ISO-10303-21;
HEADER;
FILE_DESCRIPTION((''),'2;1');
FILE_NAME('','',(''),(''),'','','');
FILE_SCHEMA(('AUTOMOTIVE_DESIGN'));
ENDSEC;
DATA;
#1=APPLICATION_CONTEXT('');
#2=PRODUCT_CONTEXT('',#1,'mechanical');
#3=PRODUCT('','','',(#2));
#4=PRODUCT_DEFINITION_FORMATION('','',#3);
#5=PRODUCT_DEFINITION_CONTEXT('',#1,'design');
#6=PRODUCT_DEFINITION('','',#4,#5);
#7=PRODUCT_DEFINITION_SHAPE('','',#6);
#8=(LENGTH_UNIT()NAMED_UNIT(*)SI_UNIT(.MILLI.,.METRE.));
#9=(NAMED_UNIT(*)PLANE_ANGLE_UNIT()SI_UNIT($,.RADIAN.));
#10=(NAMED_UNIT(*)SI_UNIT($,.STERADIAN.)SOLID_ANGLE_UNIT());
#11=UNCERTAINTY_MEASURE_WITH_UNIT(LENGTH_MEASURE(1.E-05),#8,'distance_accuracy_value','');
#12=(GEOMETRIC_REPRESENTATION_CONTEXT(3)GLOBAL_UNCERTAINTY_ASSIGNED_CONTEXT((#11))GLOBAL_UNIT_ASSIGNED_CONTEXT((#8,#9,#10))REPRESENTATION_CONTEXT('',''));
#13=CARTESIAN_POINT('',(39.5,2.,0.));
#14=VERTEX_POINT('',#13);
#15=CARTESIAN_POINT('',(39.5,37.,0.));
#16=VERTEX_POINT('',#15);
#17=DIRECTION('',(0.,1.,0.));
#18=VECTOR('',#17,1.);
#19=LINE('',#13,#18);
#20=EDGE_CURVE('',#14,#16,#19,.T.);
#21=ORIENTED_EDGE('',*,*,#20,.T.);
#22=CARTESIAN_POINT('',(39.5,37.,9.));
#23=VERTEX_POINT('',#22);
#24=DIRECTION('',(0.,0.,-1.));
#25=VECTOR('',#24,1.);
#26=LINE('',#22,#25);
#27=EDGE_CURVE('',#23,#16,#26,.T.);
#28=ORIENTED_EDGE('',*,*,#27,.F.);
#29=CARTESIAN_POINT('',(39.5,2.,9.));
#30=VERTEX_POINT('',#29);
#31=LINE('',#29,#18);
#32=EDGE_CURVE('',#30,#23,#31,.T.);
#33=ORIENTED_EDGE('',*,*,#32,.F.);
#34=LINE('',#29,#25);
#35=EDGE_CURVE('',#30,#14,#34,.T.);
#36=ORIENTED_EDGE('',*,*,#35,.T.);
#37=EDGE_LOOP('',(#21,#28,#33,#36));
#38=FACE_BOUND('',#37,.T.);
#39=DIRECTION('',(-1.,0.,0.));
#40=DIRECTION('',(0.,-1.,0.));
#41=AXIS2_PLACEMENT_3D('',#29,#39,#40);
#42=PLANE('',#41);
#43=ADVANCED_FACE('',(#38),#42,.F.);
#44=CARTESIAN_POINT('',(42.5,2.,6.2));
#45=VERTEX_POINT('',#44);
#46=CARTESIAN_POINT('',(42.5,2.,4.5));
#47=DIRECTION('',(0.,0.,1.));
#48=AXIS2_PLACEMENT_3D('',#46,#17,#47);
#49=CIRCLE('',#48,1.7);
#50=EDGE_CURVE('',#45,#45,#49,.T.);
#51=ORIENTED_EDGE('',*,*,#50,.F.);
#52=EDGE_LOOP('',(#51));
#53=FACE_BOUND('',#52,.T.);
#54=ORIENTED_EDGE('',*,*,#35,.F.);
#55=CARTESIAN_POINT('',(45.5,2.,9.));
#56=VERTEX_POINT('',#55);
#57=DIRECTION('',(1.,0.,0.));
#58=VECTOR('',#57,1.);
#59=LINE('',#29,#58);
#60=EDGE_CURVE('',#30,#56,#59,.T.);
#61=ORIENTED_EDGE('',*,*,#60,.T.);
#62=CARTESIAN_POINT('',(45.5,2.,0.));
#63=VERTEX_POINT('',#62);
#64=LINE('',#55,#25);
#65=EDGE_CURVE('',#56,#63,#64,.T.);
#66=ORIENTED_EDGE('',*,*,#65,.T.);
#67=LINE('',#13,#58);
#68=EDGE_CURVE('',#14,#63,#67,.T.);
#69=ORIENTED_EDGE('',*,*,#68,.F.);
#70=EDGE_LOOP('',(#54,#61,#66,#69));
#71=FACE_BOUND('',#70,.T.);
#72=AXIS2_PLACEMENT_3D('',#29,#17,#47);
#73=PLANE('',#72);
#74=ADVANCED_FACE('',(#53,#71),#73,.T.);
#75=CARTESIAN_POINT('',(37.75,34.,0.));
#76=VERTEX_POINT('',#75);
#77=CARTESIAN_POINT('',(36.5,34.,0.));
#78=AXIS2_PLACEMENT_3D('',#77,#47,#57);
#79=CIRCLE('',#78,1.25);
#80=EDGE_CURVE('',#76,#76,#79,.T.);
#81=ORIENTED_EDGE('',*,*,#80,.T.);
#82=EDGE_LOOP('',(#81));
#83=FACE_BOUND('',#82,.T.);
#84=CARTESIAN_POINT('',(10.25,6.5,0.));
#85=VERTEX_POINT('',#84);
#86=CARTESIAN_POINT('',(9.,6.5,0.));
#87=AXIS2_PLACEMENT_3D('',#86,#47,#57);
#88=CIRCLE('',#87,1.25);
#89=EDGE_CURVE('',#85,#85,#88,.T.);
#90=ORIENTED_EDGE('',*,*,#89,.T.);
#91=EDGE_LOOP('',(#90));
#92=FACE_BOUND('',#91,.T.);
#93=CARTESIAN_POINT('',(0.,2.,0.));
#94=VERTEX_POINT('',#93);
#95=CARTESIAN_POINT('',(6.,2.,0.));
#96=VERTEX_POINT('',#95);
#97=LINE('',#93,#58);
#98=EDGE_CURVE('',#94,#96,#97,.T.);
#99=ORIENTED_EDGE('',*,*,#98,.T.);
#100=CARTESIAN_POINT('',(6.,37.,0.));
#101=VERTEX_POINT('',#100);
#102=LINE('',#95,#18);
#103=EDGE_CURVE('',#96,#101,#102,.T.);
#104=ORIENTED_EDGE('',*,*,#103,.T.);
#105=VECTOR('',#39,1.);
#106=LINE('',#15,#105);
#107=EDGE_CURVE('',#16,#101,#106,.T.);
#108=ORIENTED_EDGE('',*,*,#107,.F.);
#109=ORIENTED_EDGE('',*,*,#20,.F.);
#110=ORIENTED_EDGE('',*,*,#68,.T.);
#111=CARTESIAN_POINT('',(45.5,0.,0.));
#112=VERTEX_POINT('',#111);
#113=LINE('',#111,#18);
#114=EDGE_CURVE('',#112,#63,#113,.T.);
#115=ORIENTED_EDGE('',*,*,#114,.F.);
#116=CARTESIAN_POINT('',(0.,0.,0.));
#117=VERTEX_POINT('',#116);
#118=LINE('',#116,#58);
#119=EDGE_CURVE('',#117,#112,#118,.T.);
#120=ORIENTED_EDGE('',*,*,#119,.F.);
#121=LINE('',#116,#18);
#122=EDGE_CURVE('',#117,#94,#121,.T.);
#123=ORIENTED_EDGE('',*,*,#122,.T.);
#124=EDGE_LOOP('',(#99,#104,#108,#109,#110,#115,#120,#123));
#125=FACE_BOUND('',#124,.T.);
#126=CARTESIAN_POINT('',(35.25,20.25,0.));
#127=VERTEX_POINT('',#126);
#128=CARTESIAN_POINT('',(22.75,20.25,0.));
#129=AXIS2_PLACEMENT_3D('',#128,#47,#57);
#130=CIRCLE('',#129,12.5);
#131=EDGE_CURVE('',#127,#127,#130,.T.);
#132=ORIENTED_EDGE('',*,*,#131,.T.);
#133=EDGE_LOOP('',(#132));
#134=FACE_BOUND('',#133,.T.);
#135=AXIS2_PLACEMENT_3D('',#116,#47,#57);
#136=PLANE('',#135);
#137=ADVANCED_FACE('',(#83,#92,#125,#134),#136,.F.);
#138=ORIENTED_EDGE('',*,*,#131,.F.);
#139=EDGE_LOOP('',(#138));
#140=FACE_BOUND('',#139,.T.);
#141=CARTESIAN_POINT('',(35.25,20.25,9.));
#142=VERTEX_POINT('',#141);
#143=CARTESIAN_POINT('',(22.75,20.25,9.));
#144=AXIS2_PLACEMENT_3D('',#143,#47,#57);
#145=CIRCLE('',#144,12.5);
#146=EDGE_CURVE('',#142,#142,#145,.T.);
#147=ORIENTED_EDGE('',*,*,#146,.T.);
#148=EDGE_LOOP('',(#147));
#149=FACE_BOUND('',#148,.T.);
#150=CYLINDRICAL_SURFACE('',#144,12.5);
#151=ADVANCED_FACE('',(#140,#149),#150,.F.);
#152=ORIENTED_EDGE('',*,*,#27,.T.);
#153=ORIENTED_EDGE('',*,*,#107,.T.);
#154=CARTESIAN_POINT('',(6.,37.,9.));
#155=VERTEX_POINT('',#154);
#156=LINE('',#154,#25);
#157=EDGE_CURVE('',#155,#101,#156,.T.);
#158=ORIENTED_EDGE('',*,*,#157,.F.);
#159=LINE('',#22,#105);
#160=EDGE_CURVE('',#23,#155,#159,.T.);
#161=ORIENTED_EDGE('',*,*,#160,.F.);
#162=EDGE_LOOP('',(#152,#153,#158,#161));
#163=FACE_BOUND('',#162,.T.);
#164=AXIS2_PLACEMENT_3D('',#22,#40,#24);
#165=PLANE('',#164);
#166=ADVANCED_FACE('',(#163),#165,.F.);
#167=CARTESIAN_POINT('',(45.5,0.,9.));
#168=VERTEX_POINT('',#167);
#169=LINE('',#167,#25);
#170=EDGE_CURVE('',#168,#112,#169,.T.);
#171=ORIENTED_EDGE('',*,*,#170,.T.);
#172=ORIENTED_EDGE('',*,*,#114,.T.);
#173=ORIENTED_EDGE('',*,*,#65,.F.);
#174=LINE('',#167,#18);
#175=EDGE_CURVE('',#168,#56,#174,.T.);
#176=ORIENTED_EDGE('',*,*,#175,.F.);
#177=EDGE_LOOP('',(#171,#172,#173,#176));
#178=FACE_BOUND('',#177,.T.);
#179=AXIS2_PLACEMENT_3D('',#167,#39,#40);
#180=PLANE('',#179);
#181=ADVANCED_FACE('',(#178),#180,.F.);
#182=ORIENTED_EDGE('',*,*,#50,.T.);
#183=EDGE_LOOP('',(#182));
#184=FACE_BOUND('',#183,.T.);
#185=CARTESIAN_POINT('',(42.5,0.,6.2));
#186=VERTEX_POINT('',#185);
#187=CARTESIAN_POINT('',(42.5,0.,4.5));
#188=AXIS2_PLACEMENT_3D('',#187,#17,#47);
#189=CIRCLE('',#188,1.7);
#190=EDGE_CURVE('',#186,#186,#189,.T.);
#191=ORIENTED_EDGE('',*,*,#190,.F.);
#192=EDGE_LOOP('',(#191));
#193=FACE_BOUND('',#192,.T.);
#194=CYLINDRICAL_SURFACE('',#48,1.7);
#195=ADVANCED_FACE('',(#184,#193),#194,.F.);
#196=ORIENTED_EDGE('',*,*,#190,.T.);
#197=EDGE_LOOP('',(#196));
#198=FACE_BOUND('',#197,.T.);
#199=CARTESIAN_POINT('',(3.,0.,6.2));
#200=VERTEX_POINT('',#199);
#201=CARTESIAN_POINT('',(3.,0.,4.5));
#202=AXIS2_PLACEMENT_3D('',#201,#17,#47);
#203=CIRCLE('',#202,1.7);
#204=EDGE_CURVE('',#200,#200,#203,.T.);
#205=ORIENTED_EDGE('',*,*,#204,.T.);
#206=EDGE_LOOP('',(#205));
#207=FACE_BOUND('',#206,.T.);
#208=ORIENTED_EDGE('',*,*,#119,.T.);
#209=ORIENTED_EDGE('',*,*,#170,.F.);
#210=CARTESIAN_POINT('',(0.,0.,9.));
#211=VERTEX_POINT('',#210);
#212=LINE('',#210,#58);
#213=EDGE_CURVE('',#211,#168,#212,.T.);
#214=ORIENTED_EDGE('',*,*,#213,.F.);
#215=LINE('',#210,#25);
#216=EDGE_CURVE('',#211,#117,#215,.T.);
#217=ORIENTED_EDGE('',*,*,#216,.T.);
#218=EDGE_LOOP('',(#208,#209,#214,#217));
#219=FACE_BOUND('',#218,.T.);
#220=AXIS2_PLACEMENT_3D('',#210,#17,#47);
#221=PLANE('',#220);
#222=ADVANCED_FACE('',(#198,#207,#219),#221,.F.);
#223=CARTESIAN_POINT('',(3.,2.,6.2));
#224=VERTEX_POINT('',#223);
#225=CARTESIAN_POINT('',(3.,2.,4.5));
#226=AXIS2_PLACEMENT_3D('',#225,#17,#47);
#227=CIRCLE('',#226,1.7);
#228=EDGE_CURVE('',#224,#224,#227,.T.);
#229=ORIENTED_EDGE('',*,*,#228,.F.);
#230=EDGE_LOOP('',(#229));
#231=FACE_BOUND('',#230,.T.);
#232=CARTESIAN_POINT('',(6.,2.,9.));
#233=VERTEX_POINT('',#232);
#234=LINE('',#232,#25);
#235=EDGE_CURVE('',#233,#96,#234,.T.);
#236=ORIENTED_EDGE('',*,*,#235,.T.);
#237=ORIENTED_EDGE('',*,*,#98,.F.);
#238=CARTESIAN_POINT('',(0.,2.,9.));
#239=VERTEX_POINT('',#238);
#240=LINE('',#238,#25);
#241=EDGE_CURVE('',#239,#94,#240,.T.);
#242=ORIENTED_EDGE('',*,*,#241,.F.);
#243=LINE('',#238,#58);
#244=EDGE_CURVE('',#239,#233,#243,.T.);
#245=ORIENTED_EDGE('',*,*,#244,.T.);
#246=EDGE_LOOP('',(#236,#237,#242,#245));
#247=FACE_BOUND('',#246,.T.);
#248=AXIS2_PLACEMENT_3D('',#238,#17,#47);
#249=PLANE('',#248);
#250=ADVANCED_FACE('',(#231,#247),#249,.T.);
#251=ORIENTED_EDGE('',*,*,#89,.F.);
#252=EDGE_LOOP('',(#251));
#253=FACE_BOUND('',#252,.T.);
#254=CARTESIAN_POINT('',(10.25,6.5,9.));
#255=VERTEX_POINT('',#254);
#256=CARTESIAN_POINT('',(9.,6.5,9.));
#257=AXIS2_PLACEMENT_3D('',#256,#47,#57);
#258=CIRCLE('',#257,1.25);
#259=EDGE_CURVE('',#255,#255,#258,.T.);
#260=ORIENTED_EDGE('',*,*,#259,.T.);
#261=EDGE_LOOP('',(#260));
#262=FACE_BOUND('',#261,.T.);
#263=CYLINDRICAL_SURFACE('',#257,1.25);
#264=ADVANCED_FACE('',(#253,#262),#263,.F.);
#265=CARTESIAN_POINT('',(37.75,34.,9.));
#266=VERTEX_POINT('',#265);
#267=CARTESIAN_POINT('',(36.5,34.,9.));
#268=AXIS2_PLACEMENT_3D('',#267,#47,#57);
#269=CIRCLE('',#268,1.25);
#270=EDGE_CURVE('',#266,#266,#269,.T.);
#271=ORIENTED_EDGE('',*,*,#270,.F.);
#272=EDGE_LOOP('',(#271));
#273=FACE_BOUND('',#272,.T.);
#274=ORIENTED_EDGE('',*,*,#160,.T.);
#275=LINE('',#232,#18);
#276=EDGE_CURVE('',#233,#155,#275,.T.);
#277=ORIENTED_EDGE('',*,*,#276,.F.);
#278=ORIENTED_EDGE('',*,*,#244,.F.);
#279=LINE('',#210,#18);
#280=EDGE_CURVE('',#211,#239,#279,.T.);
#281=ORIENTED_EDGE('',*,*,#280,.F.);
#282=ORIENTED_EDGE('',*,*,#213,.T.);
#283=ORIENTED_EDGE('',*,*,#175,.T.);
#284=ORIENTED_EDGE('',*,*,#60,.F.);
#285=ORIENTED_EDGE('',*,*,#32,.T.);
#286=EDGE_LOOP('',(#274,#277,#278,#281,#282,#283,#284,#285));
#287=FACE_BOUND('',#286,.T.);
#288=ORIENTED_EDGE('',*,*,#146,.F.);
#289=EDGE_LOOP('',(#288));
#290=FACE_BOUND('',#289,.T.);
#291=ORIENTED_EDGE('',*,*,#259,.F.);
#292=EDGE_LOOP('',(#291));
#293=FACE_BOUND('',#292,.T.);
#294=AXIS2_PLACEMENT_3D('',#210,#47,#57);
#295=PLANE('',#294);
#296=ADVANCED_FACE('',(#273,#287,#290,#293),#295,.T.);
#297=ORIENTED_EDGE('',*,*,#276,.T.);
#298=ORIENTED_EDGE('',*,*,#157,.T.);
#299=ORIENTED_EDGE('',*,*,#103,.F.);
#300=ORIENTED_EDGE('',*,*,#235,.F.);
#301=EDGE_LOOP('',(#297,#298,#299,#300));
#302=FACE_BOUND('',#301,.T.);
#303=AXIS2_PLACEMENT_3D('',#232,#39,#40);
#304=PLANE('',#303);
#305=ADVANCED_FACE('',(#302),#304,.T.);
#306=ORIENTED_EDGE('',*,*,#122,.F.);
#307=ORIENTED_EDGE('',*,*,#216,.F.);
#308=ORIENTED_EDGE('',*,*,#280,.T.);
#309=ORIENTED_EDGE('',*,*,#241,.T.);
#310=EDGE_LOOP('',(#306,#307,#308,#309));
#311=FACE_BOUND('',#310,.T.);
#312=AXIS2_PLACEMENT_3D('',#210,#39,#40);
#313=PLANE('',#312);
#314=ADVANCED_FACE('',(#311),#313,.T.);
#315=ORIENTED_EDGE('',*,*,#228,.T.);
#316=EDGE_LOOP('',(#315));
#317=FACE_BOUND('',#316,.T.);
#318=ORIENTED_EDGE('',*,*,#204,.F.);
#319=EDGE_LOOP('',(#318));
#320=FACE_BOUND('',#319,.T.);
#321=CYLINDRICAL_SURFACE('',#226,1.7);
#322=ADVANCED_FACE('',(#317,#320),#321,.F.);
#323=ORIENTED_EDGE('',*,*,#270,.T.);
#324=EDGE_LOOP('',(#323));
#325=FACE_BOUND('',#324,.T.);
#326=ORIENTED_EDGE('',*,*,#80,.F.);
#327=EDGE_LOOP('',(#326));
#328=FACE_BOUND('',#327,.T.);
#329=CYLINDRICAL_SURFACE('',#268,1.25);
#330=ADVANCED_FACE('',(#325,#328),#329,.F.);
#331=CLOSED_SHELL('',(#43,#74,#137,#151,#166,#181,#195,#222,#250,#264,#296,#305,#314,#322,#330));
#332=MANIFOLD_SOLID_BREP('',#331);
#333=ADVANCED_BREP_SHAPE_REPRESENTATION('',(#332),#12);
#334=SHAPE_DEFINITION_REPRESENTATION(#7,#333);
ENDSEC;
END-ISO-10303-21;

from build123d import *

# Parameters (mm, degrees)
BOSS_EXTRUDE1_DEPTH    = 9
M3X0_5_TAPPED_HOLE1_D  = 2.5
M3_CLEARANCE_HOLE2_D   = 3.4
F_25_0MM_DOWEL_HOLE1_D = 25


with BuildPart() as part:
    # Sketch1 → Boss-Extrude1 (new body)
    with BuildSketch(Plane.XY):
        Polygon((0, 0), (45.5, 0), (45.5, 2), (39.5, 2), (39.5, 37), (6, 37), (6, 2), (0, 2), align=None)
    extrude(amount=BOSS_EXTRUDE1_DEPTH)

    # M3x0.5 Tapped Hole1 (through all)
    with Locations(Plane(origin=(36.5, 34, 9), x_dir=(1, 0, 0), z_dir=(0, 0, 1))):
        with Locations((0, 0), (-27.5, -27.5)):
            Hole(M3X0_5_TAPPED_HOLE1_D / 2)

    # M3 Clearance Hole2 (through all)
    with Locations(Plane(origin=(42.5, 2, 4.5), x_dir=(0, 0, 1), z_dir=(0, 1, 0))):
        with Locations((0, 0), (0, -39.5)):
            Hole(M3_CLEARANCE_HOLE2_D / 2)

    # Ø25.0mm Dowel Hole1 (through all)
    with Locations(Plane.XY.offset(9)):
        with Locations((22.75, 20.25)):
            Hole(F_25_0MM_DOWEL_HOLE1_D / 2)


solid = part.part
